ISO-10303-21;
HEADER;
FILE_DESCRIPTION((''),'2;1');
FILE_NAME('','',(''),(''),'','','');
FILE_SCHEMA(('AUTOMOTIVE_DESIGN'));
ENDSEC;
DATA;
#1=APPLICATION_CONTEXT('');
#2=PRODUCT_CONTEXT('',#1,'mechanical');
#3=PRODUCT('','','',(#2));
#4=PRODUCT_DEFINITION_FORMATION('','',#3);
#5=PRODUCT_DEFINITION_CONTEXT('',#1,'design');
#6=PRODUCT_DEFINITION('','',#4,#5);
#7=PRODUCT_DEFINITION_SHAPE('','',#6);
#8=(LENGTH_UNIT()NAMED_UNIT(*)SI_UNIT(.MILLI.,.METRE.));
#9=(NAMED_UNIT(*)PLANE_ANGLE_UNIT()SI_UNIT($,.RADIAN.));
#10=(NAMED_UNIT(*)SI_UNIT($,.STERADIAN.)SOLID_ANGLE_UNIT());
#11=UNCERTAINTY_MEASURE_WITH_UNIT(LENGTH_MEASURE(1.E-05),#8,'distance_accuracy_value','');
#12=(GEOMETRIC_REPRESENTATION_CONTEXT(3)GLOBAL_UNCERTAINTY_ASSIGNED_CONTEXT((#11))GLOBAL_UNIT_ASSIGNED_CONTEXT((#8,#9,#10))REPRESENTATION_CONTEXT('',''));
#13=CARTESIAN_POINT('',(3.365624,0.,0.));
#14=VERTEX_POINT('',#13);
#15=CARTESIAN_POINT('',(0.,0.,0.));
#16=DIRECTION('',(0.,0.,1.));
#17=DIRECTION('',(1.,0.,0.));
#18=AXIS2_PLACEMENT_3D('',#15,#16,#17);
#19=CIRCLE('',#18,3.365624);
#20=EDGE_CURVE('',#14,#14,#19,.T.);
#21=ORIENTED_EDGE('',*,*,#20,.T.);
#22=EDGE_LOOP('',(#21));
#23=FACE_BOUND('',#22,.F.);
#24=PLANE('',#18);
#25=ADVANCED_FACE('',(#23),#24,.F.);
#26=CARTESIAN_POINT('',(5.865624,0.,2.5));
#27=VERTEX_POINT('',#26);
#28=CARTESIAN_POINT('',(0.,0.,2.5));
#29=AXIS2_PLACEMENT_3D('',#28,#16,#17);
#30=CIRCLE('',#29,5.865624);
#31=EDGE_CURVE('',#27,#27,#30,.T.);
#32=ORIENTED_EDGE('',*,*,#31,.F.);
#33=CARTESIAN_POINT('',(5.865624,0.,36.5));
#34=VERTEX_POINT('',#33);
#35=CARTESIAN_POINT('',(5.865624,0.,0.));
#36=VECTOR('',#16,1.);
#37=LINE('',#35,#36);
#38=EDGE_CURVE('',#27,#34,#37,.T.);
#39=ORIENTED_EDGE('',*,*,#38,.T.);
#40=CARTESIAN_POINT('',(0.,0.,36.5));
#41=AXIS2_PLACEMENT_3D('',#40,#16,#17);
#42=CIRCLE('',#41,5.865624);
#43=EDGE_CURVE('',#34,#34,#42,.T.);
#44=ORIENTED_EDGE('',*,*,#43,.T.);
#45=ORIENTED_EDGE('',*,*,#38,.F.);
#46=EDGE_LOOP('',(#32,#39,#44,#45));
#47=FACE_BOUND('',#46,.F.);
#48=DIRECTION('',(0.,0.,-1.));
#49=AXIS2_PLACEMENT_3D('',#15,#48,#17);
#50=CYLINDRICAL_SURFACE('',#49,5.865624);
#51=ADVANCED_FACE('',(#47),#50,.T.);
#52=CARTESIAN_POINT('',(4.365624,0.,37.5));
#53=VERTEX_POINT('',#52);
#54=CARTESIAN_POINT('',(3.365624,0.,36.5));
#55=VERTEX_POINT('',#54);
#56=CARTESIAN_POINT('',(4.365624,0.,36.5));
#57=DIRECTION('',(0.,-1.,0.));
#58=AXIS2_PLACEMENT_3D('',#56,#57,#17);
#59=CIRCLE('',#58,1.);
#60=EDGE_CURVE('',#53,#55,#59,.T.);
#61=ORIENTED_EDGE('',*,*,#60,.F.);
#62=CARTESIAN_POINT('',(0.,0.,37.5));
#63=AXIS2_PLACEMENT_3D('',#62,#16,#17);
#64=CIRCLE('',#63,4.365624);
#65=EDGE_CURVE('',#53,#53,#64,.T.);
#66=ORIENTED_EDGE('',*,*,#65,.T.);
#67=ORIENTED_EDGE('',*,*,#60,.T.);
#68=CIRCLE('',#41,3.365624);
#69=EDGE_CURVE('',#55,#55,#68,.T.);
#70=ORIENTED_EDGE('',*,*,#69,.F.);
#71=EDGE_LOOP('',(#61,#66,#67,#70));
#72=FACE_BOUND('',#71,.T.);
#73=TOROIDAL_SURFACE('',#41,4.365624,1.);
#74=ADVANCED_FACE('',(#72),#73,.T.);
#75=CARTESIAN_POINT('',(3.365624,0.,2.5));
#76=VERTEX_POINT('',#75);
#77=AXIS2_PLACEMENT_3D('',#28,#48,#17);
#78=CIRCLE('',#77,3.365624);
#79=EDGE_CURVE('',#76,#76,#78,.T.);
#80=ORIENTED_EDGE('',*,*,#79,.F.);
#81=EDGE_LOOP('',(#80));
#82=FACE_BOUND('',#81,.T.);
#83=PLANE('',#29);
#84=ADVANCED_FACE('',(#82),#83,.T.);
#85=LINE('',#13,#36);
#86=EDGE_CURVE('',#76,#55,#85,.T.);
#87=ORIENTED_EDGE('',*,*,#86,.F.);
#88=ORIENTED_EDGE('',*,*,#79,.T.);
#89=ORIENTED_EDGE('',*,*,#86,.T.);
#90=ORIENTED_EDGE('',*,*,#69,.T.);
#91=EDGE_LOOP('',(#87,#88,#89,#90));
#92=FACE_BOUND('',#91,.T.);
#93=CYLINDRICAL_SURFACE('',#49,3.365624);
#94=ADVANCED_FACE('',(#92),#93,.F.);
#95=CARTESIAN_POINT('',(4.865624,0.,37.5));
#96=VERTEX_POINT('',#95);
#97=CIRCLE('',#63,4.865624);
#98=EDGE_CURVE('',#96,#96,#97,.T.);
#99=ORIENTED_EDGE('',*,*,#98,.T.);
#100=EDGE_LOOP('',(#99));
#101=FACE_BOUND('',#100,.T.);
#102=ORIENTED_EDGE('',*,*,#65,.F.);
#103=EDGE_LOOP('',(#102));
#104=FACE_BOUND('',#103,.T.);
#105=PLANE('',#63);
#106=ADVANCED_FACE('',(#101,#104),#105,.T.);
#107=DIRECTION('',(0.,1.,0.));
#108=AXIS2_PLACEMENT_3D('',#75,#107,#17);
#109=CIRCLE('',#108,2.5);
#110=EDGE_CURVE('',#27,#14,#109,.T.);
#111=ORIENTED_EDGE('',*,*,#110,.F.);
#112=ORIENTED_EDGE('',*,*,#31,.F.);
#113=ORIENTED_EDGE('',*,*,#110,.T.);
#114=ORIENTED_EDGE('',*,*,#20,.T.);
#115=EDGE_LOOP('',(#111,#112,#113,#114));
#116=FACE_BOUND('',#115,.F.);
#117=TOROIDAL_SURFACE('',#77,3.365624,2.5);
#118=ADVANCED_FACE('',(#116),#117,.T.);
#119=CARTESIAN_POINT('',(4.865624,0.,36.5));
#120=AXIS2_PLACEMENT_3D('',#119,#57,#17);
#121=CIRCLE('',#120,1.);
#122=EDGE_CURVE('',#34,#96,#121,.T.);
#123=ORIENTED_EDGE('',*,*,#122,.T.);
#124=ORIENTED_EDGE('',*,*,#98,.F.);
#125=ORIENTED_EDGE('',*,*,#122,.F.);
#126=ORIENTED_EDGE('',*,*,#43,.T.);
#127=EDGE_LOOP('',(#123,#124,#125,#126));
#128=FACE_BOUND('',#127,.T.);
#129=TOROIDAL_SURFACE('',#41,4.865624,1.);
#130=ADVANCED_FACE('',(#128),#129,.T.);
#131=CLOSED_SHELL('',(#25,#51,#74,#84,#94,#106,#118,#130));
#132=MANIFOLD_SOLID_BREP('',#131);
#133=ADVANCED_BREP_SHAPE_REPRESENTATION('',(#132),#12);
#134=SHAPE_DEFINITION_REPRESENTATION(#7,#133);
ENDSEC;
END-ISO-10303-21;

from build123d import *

# Parameters (mm, degrees)
F0_R     = 5.8656239377
F1_DEPTH = 37.5
F2_T     = -2.5
F3_R     = 2.5
F4_R     = 1


with BuildPart() as f1:
    # F0 (on Top) → F1 (new body)
    with BuildSketch(Plane.XY):
        Circle(F0_R)
    extrude(amount=F1_DEPTH)

    # F2
    f2_openings = [f1.faces().sort_by_distance(p)[0] for p in [
        (0, 0, 37.5),
    ]]
    offset(amount=F2_T, openings=f2_openings)

    # F3
    f3_edges = [f1.edges().sort_by_distance(p)[0] for p in [
        (-5.865624, 0, 0),
    ]]
    fillet(f3_edges, radius=F3_R)

    # F4
    f4_edges = [f1.edges().sort_by_distance(p)[0] for p in [
        (-5.865624, 0, 37.5),
        (-3.365624, 0, 37.5),
    ]]
    fillet(f4_edges, radius=F4_R)


solid = f1.part
